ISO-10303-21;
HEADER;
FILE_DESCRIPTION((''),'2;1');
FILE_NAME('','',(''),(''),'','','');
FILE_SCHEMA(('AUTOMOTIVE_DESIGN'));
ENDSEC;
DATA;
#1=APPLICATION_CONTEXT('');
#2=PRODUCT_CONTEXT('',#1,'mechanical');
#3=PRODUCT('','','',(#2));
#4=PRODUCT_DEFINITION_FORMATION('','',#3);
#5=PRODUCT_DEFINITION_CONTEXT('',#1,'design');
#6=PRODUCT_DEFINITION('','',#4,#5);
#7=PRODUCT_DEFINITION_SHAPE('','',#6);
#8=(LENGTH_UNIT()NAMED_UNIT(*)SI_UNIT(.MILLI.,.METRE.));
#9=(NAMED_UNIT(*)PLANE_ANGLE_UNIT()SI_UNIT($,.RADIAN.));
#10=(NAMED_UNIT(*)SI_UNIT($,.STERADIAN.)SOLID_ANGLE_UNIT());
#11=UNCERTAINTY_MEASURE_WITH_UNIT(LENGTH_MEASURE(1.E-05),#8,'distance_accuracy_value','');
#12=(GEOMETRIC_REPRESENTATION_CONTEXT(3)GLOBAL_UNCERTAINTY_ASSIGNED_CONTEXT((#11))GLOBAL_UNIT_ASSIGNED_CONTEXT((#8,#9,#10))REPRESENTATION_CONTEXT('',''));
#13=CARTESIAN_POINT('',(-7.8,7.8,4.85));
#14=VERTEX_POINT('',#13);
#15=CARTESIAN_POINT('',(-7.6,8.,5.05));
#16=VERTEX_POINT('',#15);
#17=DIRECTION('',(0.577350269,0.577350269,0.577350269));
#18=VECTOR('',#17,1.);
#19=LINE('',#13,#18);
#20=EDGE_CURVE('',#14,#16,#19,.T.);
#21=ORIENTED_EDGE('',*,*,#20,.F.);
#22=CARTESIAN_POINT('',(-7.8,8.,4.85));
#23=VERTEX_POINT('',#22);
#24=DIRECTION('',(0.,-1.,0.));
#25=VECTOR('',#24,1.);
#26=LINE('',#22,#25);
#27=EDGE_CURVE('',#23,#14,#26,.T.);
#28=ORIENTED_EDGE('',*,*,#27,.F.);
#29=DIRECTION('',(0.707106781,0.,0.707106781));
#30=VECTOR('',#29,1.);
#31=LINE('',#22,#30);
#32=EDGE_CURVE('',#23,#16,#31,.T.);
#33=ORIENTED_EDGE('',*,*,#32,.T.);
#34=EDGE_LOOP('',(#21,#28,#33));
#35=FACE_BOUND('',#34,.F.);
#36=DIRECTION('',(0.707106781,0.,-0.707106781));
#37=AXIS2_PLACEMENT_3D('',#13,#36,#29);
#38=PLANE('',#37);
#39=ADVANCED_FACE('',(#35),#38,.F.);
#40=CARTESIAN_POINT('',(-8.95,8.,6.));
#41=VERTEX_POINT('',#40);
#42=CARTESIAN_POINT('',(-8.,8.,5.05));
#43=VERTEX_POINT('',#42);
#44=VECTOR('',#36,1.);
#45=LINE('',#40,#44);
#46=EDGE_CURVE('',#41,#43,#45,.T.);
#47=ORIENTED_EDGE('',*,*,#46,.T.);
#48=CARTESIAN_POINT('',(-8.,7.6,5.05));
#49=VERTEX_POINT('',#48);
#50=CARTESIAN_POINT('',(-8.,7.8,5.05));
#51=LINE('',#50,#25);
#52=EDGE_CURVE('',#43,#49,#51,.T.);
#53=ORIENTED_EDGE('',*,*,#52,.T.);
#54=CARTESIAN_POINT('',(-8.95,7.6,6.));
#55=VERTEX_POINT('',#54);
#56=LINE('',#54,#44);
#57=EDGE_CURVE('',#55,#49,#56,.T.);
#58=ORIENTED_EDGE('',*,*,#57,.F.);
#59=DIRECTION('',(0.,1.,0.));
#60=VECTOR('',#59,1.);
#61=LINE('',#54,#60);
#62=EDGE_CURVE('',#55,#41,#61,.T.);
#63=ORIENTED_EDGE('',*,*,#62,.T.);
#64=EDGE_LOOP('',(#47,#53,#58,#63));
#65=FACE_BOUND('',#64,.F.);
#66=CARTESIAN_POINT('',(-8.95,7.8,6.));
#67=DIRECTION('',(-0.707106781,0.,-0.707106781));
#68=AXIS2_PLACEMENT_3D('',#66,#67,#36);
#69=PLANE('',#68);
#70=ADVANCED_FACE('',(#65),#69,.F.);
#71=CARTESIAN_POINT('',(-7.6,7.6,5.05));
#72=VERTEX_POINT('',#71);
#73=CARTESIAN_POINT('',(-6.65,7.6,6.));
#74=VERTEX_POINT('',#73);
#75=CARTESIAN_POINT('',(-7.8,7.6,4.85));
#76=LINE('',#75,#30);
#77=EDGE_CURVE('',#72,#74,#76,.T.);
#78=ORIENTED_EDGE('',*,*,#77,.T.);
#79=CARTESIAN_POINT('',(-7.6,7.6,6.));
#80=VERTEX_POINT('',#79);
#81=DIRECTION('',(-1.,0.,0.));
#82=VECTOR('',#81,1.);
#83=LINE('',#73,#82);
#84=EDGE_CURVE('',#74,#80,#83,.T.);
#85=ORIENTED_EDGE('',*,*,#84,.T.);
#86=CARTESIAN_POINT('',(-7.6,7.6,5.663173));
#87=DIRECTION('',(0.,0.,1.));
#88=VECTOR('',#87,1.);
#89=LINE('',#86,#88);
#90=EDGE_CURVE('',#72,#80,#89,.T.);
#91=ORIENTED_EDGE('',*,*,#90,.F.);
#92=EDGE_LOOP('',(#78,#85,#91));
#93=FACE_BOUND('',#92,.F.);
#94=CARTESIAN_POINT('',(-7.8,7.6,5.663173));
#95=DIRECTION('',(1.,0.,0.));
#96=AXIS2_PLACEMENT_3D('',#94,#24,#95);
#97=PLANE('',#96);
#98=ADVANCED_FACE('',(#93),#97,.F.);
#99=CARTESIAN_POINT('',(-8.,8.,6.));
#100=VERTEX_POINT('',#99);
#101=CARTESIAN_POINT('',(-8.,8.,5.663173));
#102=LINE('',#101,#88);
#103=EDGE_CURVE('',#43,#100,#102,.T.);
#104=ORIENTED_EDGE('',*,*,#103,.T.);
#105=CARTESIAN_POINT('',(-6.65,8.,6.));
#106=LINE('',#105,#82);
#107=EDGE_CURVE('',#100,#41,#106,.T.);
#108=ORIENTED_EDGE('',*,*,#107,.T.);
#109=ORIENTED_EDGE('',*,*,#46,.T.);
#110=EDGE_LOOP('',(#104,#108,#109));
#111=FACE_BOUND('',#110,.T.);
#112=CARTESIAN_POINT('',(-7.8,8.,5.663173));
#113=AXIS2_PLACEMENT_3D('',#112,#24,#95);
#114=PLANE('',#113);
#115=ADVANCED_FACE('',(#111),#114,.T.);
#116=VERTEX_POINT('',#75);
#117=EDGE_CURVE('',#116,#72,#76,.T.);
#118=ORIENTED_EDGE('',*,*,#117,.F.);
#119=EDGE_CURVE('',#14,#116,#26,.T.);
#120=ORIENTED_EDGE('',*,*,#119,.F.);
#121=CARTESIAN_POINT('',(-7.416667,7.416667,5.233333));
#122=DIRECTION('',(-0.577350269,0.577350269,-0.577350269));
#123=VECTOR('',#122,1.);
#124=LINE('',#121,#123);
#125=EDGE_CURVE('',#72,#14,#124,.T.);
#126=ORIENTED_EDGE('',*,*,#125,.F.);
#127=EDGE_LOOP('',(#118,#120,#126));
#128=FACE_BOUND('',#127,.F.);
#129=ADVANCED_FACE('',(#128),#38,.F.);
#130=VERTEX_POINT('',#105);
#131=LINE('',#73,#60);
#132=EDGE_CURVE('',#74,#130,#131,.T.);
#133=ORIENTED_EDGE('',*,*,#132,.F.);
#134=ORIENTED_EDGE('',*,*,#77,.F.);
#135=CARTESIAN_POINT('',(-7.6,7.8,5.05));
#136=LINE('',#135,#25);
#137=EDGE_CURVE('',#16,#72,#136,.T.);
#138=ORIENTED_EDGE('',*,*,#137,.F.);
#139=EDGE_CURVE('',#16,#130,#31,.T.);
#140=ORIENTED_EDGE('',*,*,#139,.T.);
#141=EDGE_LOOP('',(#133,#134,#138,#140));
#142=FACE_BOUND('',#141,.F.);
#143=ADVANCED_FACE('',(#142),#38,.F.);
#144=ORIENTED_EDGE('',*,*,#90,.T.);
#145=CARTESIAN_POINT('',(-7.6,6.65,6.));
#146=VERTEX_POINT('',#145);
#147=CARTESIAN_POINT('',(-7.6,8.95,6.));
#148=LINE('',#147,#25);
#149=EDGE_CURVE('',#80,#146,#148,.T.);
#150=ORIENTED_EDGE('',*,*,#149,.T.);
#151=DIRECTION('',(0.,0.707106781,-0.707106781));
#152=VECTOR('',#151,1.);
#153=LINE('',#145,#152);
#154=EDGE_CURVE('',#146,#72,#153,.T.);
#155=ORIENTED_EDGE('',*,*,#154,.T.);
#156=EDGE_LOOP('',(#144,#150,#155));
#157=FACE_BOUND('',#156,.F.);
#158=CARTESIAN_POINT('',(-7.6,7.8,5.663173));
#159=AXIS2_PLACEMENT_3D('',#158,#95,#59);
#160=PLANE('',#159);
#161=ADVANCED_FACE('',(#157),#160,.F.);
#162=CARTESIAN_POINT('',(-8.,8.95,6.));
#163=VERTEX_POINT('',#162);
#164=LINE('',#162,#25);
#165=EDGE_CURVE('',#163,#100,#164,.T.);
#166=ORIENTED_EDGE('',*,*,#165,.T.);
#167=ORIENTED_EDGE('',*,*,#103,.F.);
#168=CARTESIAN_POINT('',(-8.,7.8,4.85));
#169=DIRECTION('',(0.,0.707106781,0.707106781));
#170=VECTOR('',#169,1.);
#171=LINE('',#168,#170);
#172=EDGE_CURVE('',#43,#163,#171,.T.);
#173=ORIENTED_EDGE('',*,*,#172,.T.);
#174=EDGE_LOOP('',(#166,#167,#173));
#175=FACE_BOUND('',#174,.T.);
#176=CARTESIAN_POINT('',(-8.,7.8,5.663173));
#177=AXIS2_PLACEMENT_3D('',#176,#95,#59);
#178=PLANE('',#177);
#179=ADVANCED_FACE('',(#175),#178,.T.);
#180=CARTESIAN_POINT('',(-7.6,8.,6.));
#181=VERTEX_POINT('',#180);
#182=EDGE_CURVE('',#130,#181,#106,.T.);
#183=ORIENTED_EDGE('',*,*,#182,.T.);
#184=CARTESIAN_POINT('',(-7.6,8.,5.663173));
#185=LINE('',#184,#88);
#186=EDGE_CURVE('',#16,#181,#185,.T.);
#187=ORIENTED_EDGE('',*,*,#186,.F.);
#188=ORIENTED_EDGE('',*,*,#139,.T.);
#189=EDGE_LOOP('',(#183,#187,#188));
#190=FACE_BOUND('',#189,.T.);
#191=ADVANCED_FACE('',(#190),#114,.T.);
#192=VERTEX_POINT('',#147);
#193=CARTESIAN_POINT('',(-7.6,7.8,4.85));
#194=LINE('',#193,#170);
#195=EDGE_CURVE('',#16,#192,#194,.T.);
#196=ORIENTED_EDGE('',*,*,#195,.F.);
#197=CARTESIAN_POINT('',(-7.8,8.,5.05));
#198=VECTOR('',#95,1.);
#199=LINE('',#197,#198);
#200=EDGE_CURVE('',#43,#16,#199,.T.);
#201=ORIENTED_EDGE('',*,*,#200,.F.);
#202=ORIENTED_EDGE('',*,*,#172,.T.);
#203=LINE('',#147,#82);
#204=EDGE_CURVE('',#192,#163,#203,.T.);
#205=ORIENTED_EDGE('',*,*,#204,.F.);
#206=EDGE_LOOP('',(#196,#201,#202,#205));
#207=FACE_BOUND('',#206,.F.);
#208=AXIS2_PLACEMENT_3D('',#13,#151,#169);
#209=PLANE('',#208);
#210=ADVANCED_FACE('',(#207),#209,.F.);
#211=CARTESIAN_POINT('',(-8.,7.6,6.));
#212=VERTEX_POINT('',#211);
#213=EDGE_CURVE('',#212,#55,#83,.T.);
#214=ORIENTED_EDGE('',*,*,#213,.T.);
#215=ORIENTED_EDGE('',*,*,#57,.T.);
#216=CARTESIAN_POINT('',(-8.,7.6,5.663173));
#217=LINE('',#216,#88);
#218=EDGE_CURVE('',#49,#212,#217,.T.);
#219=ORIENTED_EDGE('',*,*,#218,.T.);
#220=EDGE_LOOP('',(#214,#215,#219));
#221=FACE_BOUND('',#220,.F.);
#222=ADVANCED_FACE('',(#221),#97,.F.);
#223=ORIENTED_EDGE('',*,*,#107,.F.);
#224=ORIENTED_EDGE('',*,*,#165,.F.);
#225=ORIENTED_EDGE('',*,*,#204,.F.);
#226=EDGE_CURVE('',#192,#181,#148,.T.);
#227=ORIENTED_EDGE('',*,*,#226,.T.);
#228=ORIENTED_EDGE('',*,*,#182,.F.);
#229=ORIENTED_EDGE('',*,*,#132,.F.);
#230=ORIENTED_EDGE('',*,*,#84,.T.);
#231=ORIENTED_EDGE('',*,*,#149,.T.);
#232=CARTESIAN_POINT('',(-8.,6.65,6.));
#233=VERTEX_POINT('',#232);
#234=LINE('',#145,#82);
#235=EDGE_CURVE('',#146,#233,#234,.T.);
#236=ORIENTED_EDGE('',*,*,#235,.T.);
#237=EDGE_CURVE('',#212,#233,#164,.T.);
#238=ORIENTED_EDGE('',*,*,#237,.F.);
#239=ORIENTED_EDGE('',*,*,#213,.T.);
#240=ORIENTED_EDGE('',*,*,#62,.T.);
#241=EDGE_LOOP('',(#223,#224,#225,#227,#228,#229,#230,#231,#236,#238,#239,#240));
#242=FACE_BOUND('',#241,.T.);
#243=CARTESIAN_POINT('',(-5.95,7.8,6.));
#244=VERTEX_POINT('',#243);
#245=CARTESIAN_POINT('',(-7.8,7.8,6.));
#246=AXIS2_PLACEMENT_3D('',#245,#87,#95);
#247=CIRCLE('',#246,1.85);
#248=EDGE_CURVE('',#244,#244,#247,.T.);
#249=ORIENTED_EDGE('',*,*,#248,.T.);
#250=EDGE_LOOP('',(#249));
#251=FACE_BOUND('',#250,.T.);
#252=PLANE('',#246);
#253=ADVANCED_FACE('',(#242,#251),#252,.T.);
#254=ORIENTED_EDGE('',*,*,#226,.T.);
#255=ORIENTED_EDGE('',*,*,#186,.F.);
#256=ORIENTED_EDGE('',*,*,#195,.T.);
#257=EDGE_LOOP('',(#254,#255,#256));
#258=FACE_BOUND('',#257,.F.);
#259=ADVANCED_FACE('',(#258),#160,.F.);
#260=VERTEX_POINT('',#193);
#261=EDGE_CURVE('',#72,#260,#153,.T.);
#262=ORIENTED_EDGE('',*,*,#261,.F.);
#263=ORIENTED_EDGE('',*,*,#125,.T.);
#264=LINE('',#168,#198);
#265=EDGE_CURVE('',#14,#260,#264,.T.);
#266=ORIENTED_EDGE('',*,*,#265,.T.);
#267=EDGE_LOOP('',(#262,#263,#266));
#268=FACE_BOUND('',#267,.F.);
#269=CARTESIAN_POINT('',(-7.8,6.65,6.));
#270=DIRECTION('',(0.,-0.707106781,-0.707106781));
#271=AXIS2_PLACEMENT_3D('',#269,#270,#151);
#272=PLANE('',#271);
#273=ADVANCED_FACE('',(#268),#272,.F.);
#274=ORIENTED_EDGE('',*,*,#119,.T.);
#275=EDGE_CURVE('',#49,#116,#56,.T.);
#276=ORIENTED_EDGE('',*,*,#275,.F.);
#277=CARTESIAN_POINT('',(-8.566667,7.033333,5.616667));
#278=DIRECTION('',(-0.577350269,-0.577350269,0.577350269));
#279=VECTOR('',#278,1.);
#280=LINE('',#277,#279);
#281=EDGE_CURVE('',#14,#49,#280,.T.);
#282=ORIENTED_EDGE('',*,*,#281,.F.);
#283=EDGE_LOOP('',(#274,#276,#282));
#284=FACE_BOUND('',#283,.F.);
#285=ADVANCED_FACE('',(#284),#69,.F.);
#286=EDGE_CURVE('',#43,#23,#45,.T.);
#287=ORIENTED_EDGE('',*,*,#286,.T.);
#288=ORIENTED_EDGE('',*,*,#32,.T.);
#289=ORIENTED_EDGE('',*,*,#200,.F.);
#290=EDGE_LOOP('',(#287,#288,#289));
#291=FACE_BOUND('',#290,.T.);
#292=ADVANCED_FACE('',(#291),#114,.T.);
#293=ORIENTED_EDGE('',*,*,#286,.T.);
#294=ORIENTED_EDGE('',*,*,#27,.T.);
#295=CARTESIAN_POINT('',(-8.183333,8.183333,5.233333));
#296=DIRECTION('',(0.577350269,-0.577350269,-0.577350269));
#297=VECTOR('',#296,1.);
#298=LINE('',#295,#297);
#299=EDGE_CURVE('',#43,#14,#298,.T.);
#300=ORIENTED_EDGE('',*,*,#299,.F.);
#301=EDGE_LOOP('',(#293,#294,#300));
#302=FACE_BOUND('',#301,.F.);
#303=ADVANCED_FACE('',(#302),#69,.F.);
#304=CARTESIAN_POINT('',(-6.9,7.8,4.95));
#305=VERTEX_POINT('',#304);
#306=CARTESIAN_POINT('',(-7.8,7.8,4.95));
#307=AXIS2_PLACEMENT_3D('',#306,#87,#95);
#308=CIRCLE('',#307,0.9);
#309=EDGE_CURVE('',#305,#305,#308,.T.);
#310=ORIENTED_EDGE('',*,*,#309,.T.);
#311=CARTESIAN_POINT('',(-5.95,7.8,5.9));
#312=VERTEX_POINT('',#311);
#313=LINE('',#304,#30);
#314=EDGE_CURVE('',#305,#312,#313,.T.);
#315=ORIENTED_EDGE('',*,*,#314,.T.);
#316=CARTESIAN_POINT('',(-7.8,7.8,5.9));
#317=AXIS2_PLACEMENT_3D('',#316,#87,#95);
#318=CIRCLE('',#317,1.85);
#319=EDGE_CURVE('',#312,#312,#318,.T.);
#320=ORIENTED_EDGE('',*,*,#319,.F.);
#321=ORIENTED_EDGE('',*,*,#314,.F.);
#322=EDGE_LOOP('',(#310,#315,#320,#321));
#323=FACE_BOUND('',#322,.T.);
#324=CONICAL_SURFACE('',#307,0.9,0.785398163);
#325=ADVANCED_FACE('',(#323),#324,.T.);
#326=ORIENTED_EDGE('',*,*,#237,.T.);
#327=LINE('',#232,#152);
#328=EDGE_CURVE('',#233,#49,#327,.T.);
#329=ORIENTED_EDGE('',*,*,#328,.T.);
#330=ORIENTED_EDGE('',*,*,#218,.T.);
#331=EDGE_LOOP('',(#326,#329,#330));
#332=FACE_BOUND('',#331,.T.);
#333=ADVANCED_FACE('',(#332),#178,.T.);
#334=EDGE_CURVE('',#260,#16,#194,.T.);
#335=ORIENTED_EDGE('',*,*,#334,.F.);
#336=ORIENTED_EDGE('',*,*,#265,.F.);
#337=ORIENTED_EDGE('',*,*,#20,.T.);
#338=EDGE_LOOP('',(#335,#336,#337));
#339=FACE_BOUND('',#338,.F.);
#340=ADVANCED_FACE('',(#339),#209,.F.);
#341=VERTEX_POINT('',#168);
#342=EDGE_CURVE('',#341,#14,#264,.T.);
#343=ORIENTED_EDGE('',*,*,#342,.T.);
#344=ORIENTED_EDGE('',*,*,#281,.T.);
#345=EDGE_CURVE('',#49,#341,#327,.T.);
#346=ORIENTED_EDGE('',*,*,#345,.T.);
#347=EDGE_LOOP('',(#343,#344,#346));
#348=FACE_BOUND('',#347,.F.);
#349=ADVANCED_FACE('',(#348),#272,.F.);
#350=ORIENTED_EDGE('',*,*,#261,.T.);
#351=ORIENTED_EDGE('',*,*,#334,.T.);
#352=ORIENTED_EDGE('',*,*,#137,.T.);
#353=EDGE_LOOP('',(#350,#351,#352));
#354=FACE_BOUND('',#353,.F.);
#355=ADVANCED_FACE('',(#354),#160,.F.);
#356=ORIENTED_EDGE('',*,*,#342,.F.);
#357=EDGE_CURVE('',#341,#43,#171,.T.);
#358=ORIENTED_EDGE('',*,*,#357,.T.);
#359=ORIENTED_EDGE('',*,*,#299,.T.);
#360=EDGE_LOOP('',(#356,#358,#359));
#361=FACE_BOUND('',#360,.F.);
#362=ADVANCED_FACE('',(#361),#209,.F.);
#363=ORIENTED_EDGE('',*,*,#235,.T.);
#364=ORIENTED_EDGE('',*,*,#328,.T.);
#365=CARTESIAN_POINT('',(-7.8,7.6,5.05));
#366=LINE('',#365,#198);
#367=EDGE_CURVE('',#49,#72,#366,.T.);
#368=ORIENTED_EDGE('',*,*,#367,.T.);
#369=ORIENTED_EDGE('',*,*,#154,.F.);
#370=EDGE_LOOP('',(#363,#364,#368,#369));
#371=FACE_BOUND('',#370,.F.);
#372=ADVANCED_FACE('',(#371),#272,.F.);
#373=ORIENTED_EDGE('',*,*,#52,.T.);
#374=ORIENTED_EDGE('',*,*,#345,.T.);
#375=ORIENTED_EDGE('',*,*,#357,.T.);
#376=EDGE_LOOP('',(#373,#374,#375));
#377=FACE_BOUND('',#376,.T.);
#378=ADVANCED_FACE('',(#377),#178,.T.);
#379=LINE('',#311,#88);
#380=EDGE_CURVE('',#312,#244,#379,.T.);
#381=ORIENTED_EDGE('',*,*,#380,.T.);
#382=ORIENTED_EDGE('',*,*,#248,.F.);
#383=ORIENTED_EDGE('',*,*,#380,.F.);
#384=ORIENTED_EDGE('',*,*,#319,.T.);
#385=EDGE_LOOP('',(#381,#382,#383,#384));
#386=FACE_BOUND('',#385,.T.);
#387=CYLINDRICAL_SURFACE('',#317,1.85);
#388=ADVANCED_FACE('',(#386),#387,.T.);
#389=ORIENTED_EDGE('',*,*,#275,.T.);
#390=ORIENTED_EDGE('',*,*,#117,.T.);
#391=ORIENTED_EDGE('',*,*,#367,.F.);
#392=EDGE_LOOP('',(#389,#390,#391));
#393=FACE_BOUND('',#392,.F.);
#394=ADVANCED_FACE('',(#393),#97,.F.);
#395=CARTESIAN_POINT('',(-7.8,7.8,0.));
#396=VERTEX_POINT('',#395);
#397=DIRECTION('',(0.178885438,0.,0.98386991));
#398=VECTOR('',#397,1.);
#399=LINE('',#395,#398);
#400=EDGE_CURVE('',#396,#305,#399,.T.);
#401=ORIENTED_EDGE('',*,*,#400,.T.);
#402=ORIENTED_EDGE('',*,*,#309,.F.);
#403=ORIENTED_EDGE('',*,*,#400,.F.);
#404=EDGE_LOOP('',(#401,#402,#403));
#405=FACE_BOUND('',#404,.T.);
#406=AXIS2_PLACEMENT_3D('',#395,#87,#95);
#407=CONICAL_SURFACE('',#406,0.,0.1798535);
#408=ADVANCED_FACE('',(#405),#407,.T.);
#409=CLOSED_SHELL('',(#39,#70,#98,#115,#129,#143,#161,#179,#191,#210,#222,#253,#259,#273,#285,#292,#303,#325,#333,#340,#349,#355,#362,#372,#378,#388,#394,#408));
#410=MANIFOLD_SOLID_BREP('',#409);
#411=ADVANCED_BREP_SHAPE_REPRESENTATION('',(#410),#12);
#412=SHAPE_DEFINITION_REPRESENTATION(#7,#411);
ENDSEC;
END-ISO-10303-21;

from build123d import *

# Parameters (mm, degrees)
POCKET043_DEPTH       = 0.2
POLARPATTERN006_COUNT = 2
POLARPATTERN006_ANGLE = 90


with BuildPart() as part:
    # Sketch075 → Revolution006 (revolve)
    with BuildSketch(Plane.XZ):
        Polygon((0, 0), (0, -6), (0.9, -1.05), (1.85, -0.1), (1.85, 0), align=None)
    revolve(axis=Axis((0, 0, 0), (0, 0, 1)))

    # Sketch076 → Pocket043 (cut, symmetric)
    with BuildSketch(Plane.XZ):
        Polygon((-1.15, 0), (0, -1.15), (1.15, 0), align=None)
    pocket043 = extrude(amount=POCKET043_DEPTH, both=True, mode=Mode.SUBTRACT)

    # PolarPattern006: Pocket043 ×2 about axis
    polarpattern006_axis = Axis((0, 0, 0), (0, 0, 1))
    for i in range(1, POLARPATTERN006_COUNT):
        add(pocket043.rotate(polarpattern006_axis, i * POLARPATTERN006_ANGLE / (POLARPATTERN006_COUNT - 1)), mode=Mode.SUBTRACT)


with BuildPart() as part_1:
    # Body015 placement: moved
    add(part.part.moved(Location((-7.8, 7.8, 6))))


solid = part_1.part
